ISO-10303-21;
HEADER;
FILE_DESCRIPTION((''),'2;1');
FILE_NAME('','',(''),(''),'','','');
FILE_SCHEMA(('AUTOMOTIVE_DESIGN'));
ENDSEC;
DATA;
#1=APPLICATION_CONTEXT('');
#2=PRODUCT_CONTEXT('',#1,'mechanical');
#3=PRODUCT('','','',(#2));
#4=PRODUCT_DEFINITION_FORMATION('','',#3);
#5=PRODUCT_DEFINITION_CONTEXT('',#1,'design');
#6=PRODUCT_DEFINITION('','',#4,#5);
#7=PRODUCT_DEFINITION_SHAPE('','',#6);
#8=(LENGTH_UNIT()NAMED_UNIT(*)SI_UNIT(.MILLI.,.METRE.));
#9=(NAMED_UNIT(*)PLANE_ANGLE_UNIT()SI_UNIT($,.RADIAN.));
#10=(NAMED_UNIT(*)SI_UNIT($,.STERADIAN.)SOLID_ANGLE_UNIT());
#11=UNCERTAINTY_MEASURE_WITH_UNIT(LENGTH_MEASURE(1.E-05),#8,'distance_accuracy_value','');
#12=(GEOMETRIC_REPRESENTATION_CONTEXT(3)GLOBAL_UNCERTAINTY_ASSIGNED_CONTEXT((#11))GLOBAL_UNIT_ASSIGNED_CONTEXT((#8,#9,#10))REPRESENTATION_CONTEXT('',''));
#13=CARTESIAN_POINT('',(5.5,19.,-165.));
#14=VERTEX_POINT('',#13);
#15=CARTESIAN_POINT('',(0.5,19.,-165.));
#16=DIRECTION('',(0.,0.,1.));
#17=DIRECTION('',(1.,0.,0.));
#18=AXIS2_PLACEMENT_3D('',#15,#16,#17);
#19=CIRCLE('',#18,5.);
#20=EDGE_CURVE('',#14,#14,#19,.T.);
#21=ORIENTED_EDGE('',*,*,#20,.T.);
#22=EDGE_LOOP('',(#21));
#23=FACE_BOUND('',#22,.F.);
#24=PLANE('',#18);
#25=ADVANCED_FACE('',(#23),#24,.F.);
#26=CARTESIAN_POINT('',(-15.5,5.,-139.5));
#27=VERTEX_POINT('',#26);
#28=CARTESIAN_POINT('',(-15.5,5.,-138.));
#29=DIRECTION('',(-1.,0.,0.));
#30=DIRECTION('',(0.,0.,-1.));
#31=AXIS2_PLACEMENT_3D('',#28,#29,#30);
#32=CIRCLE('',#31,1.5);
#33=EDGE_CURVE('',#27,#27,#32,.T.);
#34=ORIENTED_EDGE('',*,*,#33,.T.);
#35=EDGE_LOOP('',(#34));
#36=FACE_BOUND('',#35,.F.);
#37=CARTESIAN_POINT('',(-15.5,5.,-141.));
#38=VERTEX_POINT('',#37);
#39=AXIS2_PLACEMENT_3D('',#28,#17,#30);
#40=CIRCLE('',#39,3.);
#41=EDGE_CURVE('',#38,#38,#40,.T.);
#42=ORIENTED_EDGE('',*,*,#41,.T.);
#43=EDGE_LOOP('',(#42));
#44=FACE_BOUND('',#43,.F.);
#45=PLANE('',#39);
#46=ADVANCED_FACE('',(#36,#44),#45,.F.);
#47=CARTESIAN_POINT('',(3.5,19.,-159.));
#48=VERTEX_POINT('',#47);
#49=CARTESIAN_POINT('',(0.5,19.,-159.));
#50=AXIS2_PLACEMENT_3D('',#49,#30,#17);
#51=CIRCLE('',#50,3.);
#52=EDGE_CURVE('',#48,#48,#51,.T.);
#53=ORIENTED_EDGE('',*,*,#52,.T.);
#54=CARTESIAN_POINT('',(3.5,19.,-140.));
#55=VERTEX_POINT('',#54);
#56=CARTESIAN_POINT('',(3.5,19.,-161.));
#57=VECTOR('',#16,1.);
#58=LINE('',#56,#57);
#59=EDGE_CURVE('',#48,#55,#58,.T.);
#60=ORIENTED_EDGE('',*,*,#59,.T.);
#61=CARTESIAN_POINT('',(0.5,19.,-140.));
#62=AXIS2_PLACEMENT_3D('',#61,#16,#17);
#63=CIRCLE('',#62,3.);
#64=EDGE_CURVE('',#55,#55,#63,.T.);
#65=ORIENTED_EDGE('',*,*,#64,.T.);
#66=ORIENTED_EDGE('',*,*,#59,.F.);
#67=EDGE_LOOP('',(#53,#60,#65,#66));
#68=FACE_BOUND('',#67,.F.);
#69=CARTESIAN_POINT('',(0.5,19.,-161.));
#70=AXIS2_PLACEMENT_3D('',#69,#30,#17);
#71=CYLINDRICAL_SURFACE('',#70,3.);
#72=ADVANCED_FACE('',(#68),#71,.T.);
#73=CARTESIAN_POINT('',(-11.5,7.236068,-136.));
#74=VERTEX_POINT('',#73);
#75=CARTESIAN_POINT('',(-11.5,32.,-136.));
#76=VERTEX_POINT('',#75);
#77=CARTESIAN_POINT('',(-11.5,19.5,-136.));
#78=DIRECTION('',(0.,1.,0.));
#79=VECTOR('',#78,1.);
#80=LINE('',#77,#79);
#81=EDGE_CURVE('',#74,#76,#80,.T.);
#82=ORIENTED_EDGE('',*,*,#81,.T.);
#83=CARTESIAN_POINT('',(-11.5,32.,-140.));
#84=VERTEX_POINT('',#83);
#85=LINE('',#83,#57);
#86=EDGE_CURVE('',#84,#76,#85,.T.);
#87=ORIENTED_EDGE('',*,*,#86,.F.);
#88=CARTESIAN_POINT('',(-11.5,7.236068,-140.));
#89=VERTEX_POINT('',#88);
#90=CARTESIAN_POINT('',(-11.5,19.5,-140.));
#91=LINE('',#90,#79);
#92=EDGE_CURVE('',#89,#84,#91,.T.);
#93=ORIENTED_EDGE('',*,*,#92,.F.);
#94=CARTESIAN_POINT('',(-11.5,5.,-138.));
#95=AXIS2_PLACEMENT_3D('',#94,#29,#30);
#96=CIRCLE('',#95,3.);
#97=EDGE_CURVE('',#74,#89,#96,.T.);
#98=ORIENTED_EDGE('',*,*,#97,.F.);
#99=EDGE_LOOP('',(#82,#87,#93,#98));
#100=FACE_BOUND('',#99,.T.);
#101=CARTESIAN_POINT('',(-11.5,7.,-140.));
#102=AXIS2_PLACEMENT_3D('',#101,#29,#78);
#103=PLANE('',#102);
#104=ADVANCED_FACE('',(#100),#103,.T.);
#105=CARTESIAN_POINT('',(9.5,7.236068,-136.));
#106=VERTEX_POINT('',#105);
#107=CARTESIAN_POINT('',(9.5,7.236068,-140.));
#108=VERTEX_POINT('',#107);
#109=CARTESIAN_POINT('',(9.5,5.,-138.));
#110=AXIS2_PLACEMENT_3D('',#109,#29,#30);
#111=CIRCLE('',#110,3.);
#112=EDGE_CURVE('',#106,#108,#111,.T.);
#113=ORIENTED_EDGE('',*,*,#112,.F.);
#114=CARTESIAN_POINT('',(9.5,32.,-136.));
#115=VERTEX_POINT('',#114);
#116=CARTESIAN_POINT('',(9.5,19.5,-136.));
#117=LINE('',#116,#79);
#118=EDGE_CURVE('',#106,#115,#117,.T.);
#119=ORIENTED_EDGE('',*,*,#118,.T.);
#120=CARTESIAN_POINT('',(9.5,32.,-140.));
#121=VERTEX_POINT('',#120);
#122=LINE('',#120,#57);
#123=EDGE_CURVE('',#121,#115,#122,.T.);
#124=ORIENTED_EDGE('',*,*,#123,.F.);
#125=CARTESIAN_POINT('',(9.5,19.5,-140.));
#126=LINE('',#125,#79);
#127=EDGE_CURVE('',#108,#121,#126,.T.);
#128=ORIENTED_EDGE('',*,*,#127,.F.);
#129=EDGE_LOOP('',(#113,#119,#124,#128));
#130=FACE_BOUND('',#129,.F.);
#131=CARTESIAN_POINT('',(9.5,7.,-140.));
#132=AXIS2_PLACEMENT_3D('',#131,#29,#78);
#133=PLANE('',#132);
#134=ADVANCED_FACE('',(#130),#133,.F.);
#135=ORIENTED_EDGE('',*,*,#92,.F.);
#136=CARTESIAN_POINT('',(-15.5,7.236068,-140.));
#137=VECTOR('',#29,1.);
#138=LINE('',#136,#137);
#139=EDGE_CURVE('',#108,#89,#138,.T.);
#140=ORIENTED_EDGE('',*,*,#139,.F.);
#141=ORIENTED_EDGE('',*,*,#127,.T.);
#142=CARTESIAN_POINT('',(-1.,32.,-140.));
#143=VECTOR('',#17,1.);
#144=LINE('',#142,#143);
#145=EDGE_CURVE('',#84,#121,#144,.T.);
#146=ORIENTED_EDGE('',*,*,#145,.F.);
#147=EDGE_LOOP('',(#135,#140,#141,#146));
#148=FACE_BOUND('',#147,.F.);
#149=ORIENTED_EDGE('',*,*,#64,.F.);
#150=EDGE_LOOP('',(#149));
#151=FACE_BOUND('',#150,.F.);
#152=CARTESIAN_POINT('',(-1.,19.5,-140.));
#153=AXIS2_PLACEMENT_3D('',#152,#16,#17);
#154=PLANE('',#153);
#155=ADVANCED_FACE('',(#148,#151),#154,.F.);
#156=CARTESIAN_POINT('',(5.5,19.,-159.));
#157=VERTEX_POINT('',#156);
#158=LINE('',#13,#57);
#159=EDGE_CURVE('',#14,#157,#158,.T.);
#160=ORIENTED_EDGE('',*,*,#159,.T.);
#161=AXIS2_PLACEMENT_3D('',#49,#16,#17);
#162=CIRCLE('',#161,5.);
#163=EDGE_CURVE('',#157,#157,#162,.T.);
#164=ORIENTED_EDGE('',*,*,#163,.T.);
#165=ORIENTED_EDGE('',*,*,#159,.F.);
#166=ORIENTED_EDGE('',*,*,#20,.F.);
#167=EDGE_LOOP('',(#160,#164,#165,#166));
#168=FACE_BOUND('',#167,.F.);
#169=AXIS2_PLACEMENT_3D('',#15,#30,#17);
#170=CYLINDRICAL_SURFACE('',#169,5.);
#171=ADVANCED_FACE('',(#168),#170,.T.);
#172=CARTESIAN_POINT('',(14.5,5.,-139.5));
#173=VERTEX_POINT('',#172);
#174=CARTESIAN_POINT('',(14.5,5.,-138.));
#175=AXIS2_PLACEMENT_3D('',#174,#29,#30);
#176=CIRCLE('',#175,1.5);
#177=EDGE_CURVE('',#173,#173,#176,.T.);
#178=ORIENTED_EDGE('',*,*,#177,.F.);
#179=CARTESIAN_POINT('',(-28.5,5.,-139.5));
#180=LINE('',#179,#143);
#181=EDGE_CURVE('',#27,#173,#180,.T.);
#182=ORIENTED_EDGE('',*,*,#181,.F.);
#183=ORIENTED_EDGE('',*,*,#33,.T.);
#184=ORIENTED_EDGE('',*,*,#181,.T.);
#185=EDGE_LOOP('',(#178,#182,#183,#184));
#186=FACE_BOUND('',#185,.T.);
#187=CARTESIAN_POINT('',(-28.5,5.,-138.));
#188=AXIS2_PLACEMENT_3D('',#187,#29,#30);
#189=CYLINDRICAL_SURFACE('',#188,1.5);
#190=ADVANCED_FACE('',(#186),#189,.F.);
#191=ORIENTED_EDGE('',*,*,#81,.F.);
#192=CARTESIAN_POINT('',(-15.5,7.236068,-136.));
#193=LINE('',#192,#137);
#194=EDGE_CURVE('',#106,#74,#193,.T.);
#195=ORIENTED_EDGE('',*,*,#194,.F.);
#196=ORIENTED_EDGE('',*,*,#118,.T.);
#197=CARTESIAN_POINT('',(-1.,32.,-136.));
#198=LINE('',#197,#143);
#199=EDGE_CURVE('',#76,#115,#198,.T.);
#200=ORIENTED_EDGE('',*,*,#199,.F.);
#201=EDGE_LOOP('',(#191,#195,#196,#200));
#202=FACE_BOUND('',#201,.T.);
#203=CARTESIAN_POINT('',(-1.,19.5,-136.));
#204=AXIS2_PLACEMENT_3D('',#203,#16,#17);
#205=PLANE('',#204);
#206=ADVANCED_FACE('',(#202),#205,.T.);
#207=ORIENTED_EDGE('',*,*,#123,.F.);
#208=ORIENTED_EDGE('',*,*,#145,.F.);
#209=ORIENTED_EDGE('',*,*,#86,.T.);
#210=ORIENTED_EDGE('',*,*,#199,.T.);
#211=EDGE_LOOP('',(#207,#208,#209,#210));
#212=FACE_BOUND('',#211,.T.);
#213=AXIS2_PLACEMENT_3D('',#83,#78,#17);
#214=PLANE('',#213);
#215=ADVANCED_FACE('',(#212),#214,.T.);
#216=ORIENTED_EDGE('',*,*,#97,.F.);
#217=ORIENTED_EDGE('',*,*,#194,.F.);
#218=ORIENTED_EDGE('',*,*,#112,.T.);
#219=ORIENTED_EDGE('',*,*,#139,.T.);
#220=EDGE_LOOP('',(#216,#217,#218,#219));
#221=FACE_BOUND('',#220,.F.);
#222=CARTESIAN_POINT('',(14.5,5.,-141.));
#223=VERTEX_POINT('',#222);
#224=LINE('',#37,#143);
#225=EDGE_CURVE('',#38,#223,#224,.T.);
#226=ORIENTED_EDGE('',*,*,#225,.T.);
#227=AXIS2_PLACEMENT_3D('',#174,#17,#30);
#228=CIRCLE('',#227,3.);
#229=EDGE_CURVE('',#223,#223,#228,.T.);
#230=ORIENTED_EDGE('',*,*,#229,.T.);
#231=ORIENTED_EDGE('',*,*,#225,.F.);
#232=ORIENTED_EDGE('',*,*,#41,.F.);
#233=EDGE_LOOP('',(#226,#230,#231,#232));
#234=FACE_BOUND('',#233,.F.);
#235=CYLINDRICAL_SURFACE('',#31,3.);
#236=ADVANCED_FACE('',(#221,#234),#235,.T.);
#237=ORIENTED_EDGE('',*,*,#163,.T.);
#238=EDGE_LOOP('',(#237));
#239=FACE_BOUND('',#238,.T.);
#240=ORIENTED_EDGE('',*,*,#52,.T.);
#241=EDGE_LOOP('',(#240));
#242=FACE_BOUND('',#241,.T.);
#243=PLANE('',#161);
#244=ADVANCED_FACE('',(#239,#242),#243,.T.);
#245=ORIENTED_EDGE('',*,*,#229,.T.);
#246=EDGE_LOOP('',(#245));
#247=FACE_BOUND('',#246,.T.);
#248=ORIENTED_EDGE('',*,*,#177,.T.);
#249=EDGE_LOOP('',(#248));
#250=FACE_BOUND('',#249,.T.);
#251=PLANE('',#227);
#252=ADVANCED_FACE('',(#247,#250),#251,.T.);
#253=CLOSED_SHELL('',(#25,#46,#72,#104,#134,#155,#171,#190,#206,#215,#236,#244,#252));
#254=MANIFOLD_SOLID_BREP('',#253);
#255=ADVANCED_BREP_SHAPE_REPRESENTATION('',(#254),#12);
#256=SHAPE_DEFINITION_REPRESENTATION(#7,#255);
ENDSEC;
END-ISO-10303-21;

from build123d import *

# Parameters (mm, degrees)
CYLINDER031_R     = 3
CYLINDER031_DEPTH = 21
BOX006_W          = 21
BOX006_H          = 25
BOX006_DEPTH      = 4
CYLINDER026_R     = 1.5
CYLINDER026_DEPTH = 52
CYLINDER021_R     = 3
CYLINDER021_DEPTH = 30
CYLINDER032_R     = 5
CYLINDER032_DEPTH = 6


with BuildPart() as cylindre027:
    # Cylinder031 → Cylinder031 (new body)
    with BuildSketch(Plane(origin=(3, 19, -161), x_dir=(1, 0, 0), z_dir=(0, 0, 1))):
        Circle(CYLINDER031_R)
    extrude(amount=CYLINDER031_DEPTH)


with BuildPart() as cube006:
    # Box006 → Box006 (new body)
    with BuildSketch(Plane(origin=(-9, 7, -140), x_dir=(1, 0, 0), z_dir=(0, 0, 1))):
        with Locations((10.5, 12.5)):
            Rectangle(BOX006_W, BOX006_H)
    extrude(amount=BOX006_DEPTH)


with BuildPart() as cylindre022:
    # Cylinder026 → Cylinder026 (new body)
    with BuildSketch(Plane(origin=(-26, 6, -138), x_dir=(0, 0, -1), z_dir=(1, 0, 0))):
        Circle(CYLINDER026_R)
    extrude(amount=CYLINDER026_DEPTH)


with BuildPart() as fusion006:
    # Cylinder021 → Cylinder021 (new body)
    with BuildSketch(Plane(origin=(-13, 6, -138), x_dir=(0, 0, -1), z_dir=(1, 0, 0))):
        Circle(CYLINDER021_R)
    extrude(amount=CYLINDER021_DEPTH)

    # Cut019: cut Cylindre022
    add(cylindre022.part, mode=Mode.SUBTRACT)


with BuildPart() as fusion006_1:
    # Cut019 placement: moved
    add(fusion006.part.moved(Location((0, -1, 0))))

    # Fusion005: union Cube006
    add(cube006.part)

    # Fusion006: union Cylindre027
    add(cylindre027.part)


with BuildPart() as pedale:
    # Cylinder032 → Cylinder032 (new body)
    with BuildSketch(Plane(origin=(3, 19, -165), x_dir=(1, 0, 0), z_dir=(0, 0, 1))):
        Circle(CYLINDER032_R)
    extrude(amount=CYLINDER032_DEPTH)

    # Fusion007: union Fusion006
    add(fusion006_1.part)


with BuildPart() as pedale_1:
    # Fusion007 placement: moved
    add(pedale.part.moved(Location((-2.5, 0, 0))))


solid = pedale_1.part
